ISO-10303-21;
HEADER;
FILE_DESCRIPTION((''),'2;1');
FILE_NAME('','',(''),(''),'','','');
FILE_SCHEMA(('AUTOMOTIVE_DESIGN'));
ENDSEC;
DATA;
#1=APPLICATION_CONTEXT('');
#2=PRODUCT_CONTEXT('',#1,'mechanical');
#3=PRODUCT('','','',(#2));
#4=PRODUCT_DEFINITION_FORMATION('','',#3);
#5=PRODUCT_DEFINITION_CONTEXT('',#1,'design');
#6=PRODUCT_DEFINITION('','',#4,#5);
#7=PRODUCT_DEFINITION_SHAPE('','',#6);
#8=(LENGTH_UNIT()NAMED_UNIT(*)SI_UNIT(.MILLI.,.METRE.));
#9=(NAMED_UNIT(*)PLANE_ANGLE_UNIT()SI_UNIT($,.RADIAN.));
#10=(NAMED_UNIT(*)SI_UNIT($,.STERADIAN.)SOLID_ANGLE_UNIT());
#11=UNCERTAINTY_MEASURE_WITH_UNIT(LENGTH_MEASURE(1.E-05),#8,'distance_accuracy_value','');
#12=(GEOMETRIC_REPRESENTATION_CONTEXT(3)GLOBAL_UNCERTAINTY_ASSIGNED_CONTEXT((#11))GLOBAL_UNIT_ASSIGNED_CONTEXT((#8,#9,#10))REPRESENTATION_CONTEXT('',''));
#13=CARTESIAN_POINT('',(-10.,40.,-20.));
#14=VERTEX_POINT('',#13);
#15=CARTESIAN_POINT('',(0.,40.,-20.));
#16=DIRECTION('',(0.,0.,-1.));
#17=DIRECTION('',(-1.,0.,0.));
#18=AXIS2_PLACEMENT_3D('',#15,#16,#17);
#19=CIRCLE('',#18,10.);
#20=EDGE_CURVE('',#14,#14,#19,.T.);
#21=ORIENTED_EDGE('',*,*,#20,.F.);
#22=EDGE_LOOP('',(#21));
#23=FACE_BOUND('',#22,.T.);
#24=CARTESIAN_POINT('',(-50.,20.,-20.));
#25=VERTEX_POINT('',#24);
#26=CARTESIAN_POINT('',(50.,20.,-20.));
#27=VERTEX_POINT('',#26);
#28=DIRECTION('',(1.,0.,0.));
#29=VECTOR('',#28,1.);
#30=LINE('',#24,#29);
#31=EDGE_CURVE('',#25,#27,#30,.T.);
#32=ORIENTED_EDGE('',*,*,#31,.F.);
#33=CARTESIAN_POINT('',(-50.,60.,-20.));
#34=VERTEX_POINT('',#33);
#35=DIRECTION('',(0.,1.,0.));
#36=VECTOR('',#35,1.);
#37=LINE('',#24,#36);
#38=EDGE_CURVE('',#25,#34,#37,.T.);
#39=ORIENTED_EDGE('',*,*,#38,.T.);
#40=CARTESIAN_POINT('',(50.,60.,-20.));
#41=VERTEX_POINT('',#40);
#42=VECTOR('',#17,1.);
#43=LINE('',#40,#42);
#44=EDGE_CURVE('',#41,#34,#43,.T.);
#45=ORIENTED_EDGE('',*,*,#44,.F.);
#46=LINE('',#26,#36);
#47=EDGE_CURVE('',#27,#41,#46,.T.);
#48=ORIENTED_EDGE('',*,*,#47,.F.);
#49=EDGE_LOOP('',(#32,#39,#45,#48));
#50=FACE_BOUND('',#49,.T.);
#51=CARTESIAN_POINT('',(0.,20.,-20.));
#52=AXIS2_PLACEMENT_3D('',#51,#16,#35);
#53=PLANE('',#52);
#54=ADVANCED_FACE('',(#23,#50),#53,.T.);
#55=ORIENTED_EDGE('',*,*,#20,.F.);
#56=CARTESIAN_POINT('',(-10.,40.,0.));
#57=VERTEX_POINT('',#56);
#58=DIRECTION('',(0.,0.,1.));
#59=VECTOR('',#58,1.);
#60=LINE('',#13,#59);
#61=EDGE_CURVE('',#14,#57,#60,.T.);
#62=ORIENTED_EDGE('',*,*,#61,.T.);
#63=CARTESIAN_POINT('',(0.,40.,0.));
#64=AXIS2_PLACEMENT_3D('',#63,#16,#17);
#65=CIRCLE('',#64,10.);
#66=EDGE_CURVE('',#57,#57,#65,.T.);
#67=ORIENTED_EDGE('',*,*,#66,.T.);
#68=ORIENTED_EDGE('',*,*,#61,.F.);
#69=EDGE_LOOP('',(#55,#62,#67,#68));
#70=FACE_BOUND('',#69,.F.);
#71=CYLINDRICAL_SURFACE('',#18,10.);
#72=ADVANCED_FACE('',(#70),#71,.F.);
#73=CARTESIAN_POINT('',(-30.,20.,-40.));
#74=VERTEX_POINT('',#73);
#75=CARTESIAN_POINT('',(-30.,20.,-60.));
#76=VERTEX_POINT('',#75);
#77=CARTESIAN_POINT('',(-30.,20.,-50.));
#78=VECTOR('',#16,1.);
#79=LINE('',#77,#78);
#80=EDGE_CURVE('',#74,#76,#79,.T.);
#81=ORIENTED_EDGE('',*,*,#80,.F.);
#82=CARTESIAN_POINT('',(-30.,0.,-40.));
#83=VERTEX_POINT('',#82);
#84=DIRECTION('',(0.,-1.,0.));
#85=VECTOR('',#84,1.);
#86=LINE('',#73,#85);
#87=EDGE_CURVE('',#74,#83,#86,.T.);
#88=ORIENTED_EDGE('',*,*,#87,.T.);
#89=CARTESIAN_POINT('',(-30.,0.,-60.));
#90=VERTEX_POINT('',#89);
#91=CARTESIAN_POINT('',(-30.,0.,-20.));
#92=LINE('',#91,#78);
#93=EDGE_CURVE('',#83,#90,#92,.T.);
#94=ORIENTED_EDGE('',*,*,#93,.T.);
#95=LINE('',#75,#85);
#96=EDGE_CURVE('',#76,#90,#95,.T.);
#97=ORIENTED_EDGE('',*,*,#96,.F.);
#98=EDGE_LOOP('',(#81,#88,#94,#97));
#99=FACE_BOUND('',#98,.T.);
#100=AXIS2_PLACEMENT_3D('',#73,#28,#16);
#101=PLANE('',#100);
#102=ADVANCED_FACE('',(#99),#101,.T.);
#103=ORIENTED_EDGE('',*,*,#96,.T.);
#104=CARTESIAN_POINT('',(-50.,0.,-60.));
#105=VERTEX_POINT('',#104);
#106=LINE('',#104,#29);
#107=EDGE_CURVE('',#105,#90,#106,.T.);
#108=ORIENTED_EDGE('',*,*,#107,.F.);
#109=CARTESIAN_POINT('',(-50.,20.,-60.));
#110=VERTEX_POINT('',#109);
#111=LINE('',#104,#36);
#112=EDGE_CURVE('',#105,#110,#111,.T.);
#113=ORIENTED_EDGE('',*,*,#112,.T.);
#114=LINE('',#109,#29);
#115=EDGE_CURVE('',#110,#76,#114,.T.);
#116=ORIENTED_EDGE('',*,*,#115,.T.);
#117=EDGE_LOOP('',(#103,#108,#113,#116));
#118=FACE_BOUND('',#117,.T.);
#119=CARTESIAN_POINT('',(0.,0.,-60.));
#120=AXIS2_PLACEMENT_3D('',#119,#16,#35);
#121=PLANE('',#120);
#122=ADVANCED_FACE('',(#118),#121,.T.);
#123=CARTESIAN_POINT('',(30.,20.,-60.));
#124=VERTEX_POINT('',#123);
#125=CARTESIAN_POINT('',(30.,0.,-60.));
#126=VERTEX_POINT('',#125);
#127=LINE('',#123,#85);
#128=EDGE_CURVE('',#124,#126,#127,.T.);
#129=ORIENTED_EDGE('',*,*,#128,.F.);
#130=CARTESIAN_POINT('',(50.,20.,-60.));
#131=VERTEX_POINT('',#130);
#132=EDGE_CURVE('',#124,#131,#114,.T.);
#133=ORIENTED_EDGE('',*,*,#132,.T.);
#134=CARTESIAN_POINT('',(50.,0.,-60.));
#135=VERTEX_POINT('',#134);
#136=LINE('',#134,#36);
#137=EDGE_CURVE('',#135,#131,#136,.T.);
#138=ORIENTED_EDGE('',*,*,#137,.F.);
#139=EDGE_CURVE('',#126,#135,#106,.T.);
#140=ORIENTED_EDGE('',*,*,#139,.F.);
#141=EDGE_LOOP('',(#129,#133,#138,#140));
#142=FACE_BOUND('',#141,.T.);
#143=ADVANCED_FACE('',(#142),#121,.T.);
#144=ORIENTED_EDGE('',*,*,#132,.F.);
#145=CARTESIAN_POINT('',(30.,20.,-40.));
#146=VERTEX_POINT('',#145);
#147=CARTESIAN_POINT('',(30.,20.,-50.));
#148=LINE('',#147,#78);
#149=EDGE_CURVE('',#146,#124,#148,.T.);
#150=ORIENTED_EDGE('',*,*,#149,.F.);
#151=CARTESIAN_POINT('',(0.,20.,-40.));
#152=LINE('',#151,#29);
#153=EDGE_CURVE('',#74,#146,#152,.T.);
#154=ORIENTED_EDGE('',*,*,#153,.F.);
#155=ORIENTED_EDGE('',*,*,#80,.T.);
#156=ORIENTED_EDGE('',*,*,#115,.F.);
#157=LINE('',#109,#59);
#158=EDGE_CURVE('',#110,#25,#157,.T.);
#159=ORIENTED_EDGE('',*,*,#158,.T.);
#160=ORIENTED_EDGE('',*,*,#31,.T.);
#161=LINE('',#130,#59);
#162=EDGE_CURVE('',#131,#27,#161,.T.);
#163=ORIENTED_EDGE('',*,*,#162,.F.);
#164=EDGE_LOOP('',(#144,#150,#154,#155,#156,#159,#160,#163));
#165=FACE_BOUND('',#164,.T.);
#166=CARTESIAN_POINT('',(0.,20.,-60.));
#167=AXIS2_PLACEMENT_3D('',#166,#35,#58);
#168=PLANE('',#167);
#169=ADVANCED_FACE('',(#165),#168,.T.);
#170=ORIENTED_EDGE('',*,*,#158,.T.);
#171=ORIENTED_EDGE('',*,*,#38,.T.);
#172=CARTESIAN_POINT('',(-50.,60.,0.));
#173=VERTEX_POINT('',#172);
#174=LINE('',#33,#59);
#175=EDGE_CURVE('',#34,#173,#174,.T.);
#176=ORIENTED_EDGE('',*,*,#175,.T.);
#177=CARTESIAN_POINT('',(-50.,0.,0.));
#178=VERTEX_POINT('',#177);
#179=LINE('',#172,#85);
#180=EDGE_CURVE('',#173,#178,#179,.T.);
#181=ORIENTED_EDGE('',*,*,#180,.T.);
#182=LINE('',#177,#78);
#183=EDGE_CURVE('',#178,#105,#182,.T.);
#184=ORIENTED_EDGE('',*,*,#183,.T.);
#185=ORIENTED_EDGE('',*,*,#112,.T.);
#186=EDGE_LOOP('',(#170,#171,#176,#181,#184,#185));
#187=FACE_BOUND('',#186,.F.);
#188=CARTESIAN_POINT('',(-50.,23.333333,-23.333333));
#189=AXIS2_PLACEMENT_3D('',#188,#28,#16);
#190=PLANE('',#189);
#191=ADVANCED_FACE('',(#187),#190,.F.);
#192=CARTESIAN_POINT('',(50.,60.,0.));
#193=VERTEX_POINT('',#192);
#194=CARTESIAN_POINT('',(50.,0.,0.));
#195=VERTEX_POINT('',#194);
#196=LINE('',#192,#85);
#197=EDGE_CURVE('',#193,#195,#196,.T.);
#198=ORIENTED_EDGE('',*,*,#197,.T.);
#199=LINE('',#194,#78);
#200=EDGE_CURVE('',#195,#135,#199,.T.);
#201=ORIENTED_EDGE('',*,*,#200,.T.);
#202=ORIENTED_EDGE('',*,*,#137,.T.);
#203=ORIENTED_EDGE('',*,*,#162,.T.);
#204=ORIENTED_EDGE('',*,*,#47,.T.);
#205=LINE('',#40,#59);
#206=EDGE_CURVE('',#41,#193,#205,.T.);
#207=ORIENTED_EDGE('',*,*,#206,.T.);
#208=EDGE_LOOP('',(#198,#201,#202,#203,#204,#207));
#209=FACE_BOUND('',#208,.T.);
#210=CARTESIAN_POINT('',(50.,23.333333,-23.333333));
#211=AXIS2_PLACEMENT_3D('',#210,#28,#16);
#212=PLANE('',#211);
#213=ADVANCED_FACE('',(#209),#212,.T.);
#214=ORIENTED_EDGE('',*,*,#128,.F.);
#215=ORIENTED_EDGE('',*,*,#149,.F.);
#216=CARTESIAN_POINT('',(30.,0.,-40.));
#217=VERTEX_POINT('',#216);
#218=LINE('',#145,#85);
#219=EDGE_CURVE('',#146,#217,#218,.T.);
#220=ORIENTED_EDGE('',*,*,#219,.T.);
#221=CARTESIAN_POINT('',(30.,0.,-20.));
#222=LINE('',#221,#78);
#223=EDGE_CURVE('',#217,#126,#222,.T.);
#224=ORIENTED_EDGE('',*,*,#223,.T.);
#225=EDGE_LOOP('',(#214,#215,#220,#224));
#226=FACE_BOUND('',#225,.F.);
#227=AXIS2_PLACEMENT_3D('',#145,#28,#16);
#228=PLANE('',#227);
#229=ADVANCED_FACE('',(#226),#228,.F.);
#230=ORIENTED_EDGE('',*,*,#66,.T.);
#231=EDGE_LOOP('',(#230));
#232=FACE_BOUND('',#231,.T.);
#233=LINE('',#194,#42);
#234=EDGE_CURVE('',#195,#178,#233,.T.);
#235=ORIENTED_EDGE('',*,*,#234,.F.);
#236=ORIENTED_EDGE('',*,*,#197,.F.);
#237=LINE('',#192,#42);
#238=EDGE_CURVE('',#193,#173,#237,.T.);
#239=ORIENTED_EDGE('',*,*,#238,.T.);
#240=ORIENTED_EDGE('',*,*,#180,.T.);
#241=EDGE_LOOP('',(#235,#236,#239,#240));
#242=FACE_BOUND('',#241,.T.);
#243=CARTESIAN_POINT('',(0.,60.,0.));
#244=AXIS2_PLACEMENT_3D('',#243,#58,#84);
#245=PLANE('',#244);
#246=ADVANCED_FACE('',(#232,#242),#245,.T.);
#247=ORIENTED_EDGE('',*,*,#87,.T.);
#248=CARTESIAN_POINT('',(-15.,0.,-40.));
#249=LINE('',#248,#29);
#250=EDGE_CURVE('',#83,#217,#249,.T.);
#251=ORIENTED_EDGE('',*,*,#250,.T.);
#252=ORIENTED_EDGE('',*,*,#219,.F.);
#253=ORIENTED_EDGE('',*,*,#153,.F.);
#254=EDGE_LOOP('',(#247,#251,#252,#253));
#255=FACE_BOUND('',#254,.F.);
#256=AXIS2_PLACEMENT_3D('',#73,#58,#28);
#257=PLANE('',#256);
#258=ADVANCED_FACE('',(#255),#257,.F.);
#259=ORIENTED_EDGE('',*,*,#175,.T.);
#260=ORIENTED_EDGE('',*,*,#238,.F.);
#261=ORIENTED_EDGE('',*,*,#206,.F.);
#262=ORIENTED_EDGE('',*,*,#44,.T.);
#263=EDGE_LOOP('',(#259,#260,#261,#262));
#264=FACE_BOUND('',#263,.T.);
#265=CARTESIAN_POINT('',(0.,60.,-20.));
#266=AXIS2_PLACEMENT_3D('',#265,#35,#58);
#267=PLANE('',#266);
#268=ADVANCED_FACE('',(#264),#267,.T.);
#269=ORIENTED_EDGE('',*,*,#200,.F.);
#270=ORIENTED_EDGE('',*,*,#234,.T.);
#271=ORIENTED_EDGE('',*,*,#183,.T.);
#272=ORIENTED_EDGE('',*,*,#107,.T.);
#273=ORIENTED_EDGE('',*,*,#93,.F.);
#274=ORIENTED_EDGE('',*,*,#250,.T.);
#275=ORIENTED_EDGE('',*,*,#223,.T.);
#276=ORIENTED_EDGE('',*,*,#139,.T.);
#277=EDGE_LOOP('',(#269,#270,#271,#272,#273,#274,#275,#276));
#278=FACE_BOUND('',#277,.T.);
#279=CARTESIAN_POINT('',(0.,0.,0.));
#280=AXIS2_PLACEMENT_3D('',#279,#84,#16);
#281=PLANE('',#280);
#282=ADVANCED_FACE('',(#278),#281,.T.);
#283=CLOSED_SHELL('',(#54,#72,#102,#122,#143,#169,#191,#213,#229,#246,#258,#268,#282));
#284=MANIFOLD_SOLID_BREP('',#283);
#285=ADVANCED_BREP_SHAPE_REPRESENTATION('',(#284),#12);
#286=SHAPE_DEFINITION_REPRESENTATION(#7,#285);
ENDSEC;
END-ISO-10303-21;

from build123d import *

# Parameters (mm, degrees)
BOSS_EXTRUDE1_DEPTH = 50
SKETCH2_R           = 10
CUT_EXTRUDE1_DEPTH  = 21
CUT_EXTRUDE2_REACH  = 22
SKETCH3_W           = 60
SKETCH3_H           = 20


with BuildPart() as part:
    # Sketch1 → Boss-Extrude1 (new body, symmetric)
    with BuildSketch(Plane(origin=(0, 0, 0), x_dir=(0, 0, -1), z_dir=(1, 0, 0))):
        Polygon((0, 0), (60, 0), (60, 20), (20, 20), (20, 60), (0, 60), align=None)
    extrude(amount=BOSS_EXTRUDE1_DEPTH, both=True)

    # Sketch2 → Cut-Extrude1 (cut, through all)
    with BuildSketch(Plane(origin=(0, 0, -20), x_dir=(-1, 0, 0), z_dir=(0, 0, -1))):
        with Locations((0, 40)):
            Circle(SKETCH2_R)
    extrude(amount=-CUT_EXTRUDE1_DEPTH, mode=Mode.SUBTRACT)

    # Sketch3 → Cut-Extrude2 (cut, up to next)
    with BuildSketch(Plane(origin=(0, 20, 0), x_dir=(1, 0, 0), z_dir=(0, 1, 0)), mode=Mode.PRIVATE) as cut_extrude2_sk1:
        with Locations((0, 50)):
            Rectangle(SKETCH3_W, SKETCH3_H)
    cut_extrude2_tool1 = extrude(cut_extrude2_sk1.sketch, amount=-CUT_EXTRUDE2_REACH, mode=Mode.PRIVATE) & part.part
    add(cut_extrude2_tool1.solids().sort_by_distance((0, 20, -50))[0], mode=Mode.SUBTRACT)


solid = part.part
